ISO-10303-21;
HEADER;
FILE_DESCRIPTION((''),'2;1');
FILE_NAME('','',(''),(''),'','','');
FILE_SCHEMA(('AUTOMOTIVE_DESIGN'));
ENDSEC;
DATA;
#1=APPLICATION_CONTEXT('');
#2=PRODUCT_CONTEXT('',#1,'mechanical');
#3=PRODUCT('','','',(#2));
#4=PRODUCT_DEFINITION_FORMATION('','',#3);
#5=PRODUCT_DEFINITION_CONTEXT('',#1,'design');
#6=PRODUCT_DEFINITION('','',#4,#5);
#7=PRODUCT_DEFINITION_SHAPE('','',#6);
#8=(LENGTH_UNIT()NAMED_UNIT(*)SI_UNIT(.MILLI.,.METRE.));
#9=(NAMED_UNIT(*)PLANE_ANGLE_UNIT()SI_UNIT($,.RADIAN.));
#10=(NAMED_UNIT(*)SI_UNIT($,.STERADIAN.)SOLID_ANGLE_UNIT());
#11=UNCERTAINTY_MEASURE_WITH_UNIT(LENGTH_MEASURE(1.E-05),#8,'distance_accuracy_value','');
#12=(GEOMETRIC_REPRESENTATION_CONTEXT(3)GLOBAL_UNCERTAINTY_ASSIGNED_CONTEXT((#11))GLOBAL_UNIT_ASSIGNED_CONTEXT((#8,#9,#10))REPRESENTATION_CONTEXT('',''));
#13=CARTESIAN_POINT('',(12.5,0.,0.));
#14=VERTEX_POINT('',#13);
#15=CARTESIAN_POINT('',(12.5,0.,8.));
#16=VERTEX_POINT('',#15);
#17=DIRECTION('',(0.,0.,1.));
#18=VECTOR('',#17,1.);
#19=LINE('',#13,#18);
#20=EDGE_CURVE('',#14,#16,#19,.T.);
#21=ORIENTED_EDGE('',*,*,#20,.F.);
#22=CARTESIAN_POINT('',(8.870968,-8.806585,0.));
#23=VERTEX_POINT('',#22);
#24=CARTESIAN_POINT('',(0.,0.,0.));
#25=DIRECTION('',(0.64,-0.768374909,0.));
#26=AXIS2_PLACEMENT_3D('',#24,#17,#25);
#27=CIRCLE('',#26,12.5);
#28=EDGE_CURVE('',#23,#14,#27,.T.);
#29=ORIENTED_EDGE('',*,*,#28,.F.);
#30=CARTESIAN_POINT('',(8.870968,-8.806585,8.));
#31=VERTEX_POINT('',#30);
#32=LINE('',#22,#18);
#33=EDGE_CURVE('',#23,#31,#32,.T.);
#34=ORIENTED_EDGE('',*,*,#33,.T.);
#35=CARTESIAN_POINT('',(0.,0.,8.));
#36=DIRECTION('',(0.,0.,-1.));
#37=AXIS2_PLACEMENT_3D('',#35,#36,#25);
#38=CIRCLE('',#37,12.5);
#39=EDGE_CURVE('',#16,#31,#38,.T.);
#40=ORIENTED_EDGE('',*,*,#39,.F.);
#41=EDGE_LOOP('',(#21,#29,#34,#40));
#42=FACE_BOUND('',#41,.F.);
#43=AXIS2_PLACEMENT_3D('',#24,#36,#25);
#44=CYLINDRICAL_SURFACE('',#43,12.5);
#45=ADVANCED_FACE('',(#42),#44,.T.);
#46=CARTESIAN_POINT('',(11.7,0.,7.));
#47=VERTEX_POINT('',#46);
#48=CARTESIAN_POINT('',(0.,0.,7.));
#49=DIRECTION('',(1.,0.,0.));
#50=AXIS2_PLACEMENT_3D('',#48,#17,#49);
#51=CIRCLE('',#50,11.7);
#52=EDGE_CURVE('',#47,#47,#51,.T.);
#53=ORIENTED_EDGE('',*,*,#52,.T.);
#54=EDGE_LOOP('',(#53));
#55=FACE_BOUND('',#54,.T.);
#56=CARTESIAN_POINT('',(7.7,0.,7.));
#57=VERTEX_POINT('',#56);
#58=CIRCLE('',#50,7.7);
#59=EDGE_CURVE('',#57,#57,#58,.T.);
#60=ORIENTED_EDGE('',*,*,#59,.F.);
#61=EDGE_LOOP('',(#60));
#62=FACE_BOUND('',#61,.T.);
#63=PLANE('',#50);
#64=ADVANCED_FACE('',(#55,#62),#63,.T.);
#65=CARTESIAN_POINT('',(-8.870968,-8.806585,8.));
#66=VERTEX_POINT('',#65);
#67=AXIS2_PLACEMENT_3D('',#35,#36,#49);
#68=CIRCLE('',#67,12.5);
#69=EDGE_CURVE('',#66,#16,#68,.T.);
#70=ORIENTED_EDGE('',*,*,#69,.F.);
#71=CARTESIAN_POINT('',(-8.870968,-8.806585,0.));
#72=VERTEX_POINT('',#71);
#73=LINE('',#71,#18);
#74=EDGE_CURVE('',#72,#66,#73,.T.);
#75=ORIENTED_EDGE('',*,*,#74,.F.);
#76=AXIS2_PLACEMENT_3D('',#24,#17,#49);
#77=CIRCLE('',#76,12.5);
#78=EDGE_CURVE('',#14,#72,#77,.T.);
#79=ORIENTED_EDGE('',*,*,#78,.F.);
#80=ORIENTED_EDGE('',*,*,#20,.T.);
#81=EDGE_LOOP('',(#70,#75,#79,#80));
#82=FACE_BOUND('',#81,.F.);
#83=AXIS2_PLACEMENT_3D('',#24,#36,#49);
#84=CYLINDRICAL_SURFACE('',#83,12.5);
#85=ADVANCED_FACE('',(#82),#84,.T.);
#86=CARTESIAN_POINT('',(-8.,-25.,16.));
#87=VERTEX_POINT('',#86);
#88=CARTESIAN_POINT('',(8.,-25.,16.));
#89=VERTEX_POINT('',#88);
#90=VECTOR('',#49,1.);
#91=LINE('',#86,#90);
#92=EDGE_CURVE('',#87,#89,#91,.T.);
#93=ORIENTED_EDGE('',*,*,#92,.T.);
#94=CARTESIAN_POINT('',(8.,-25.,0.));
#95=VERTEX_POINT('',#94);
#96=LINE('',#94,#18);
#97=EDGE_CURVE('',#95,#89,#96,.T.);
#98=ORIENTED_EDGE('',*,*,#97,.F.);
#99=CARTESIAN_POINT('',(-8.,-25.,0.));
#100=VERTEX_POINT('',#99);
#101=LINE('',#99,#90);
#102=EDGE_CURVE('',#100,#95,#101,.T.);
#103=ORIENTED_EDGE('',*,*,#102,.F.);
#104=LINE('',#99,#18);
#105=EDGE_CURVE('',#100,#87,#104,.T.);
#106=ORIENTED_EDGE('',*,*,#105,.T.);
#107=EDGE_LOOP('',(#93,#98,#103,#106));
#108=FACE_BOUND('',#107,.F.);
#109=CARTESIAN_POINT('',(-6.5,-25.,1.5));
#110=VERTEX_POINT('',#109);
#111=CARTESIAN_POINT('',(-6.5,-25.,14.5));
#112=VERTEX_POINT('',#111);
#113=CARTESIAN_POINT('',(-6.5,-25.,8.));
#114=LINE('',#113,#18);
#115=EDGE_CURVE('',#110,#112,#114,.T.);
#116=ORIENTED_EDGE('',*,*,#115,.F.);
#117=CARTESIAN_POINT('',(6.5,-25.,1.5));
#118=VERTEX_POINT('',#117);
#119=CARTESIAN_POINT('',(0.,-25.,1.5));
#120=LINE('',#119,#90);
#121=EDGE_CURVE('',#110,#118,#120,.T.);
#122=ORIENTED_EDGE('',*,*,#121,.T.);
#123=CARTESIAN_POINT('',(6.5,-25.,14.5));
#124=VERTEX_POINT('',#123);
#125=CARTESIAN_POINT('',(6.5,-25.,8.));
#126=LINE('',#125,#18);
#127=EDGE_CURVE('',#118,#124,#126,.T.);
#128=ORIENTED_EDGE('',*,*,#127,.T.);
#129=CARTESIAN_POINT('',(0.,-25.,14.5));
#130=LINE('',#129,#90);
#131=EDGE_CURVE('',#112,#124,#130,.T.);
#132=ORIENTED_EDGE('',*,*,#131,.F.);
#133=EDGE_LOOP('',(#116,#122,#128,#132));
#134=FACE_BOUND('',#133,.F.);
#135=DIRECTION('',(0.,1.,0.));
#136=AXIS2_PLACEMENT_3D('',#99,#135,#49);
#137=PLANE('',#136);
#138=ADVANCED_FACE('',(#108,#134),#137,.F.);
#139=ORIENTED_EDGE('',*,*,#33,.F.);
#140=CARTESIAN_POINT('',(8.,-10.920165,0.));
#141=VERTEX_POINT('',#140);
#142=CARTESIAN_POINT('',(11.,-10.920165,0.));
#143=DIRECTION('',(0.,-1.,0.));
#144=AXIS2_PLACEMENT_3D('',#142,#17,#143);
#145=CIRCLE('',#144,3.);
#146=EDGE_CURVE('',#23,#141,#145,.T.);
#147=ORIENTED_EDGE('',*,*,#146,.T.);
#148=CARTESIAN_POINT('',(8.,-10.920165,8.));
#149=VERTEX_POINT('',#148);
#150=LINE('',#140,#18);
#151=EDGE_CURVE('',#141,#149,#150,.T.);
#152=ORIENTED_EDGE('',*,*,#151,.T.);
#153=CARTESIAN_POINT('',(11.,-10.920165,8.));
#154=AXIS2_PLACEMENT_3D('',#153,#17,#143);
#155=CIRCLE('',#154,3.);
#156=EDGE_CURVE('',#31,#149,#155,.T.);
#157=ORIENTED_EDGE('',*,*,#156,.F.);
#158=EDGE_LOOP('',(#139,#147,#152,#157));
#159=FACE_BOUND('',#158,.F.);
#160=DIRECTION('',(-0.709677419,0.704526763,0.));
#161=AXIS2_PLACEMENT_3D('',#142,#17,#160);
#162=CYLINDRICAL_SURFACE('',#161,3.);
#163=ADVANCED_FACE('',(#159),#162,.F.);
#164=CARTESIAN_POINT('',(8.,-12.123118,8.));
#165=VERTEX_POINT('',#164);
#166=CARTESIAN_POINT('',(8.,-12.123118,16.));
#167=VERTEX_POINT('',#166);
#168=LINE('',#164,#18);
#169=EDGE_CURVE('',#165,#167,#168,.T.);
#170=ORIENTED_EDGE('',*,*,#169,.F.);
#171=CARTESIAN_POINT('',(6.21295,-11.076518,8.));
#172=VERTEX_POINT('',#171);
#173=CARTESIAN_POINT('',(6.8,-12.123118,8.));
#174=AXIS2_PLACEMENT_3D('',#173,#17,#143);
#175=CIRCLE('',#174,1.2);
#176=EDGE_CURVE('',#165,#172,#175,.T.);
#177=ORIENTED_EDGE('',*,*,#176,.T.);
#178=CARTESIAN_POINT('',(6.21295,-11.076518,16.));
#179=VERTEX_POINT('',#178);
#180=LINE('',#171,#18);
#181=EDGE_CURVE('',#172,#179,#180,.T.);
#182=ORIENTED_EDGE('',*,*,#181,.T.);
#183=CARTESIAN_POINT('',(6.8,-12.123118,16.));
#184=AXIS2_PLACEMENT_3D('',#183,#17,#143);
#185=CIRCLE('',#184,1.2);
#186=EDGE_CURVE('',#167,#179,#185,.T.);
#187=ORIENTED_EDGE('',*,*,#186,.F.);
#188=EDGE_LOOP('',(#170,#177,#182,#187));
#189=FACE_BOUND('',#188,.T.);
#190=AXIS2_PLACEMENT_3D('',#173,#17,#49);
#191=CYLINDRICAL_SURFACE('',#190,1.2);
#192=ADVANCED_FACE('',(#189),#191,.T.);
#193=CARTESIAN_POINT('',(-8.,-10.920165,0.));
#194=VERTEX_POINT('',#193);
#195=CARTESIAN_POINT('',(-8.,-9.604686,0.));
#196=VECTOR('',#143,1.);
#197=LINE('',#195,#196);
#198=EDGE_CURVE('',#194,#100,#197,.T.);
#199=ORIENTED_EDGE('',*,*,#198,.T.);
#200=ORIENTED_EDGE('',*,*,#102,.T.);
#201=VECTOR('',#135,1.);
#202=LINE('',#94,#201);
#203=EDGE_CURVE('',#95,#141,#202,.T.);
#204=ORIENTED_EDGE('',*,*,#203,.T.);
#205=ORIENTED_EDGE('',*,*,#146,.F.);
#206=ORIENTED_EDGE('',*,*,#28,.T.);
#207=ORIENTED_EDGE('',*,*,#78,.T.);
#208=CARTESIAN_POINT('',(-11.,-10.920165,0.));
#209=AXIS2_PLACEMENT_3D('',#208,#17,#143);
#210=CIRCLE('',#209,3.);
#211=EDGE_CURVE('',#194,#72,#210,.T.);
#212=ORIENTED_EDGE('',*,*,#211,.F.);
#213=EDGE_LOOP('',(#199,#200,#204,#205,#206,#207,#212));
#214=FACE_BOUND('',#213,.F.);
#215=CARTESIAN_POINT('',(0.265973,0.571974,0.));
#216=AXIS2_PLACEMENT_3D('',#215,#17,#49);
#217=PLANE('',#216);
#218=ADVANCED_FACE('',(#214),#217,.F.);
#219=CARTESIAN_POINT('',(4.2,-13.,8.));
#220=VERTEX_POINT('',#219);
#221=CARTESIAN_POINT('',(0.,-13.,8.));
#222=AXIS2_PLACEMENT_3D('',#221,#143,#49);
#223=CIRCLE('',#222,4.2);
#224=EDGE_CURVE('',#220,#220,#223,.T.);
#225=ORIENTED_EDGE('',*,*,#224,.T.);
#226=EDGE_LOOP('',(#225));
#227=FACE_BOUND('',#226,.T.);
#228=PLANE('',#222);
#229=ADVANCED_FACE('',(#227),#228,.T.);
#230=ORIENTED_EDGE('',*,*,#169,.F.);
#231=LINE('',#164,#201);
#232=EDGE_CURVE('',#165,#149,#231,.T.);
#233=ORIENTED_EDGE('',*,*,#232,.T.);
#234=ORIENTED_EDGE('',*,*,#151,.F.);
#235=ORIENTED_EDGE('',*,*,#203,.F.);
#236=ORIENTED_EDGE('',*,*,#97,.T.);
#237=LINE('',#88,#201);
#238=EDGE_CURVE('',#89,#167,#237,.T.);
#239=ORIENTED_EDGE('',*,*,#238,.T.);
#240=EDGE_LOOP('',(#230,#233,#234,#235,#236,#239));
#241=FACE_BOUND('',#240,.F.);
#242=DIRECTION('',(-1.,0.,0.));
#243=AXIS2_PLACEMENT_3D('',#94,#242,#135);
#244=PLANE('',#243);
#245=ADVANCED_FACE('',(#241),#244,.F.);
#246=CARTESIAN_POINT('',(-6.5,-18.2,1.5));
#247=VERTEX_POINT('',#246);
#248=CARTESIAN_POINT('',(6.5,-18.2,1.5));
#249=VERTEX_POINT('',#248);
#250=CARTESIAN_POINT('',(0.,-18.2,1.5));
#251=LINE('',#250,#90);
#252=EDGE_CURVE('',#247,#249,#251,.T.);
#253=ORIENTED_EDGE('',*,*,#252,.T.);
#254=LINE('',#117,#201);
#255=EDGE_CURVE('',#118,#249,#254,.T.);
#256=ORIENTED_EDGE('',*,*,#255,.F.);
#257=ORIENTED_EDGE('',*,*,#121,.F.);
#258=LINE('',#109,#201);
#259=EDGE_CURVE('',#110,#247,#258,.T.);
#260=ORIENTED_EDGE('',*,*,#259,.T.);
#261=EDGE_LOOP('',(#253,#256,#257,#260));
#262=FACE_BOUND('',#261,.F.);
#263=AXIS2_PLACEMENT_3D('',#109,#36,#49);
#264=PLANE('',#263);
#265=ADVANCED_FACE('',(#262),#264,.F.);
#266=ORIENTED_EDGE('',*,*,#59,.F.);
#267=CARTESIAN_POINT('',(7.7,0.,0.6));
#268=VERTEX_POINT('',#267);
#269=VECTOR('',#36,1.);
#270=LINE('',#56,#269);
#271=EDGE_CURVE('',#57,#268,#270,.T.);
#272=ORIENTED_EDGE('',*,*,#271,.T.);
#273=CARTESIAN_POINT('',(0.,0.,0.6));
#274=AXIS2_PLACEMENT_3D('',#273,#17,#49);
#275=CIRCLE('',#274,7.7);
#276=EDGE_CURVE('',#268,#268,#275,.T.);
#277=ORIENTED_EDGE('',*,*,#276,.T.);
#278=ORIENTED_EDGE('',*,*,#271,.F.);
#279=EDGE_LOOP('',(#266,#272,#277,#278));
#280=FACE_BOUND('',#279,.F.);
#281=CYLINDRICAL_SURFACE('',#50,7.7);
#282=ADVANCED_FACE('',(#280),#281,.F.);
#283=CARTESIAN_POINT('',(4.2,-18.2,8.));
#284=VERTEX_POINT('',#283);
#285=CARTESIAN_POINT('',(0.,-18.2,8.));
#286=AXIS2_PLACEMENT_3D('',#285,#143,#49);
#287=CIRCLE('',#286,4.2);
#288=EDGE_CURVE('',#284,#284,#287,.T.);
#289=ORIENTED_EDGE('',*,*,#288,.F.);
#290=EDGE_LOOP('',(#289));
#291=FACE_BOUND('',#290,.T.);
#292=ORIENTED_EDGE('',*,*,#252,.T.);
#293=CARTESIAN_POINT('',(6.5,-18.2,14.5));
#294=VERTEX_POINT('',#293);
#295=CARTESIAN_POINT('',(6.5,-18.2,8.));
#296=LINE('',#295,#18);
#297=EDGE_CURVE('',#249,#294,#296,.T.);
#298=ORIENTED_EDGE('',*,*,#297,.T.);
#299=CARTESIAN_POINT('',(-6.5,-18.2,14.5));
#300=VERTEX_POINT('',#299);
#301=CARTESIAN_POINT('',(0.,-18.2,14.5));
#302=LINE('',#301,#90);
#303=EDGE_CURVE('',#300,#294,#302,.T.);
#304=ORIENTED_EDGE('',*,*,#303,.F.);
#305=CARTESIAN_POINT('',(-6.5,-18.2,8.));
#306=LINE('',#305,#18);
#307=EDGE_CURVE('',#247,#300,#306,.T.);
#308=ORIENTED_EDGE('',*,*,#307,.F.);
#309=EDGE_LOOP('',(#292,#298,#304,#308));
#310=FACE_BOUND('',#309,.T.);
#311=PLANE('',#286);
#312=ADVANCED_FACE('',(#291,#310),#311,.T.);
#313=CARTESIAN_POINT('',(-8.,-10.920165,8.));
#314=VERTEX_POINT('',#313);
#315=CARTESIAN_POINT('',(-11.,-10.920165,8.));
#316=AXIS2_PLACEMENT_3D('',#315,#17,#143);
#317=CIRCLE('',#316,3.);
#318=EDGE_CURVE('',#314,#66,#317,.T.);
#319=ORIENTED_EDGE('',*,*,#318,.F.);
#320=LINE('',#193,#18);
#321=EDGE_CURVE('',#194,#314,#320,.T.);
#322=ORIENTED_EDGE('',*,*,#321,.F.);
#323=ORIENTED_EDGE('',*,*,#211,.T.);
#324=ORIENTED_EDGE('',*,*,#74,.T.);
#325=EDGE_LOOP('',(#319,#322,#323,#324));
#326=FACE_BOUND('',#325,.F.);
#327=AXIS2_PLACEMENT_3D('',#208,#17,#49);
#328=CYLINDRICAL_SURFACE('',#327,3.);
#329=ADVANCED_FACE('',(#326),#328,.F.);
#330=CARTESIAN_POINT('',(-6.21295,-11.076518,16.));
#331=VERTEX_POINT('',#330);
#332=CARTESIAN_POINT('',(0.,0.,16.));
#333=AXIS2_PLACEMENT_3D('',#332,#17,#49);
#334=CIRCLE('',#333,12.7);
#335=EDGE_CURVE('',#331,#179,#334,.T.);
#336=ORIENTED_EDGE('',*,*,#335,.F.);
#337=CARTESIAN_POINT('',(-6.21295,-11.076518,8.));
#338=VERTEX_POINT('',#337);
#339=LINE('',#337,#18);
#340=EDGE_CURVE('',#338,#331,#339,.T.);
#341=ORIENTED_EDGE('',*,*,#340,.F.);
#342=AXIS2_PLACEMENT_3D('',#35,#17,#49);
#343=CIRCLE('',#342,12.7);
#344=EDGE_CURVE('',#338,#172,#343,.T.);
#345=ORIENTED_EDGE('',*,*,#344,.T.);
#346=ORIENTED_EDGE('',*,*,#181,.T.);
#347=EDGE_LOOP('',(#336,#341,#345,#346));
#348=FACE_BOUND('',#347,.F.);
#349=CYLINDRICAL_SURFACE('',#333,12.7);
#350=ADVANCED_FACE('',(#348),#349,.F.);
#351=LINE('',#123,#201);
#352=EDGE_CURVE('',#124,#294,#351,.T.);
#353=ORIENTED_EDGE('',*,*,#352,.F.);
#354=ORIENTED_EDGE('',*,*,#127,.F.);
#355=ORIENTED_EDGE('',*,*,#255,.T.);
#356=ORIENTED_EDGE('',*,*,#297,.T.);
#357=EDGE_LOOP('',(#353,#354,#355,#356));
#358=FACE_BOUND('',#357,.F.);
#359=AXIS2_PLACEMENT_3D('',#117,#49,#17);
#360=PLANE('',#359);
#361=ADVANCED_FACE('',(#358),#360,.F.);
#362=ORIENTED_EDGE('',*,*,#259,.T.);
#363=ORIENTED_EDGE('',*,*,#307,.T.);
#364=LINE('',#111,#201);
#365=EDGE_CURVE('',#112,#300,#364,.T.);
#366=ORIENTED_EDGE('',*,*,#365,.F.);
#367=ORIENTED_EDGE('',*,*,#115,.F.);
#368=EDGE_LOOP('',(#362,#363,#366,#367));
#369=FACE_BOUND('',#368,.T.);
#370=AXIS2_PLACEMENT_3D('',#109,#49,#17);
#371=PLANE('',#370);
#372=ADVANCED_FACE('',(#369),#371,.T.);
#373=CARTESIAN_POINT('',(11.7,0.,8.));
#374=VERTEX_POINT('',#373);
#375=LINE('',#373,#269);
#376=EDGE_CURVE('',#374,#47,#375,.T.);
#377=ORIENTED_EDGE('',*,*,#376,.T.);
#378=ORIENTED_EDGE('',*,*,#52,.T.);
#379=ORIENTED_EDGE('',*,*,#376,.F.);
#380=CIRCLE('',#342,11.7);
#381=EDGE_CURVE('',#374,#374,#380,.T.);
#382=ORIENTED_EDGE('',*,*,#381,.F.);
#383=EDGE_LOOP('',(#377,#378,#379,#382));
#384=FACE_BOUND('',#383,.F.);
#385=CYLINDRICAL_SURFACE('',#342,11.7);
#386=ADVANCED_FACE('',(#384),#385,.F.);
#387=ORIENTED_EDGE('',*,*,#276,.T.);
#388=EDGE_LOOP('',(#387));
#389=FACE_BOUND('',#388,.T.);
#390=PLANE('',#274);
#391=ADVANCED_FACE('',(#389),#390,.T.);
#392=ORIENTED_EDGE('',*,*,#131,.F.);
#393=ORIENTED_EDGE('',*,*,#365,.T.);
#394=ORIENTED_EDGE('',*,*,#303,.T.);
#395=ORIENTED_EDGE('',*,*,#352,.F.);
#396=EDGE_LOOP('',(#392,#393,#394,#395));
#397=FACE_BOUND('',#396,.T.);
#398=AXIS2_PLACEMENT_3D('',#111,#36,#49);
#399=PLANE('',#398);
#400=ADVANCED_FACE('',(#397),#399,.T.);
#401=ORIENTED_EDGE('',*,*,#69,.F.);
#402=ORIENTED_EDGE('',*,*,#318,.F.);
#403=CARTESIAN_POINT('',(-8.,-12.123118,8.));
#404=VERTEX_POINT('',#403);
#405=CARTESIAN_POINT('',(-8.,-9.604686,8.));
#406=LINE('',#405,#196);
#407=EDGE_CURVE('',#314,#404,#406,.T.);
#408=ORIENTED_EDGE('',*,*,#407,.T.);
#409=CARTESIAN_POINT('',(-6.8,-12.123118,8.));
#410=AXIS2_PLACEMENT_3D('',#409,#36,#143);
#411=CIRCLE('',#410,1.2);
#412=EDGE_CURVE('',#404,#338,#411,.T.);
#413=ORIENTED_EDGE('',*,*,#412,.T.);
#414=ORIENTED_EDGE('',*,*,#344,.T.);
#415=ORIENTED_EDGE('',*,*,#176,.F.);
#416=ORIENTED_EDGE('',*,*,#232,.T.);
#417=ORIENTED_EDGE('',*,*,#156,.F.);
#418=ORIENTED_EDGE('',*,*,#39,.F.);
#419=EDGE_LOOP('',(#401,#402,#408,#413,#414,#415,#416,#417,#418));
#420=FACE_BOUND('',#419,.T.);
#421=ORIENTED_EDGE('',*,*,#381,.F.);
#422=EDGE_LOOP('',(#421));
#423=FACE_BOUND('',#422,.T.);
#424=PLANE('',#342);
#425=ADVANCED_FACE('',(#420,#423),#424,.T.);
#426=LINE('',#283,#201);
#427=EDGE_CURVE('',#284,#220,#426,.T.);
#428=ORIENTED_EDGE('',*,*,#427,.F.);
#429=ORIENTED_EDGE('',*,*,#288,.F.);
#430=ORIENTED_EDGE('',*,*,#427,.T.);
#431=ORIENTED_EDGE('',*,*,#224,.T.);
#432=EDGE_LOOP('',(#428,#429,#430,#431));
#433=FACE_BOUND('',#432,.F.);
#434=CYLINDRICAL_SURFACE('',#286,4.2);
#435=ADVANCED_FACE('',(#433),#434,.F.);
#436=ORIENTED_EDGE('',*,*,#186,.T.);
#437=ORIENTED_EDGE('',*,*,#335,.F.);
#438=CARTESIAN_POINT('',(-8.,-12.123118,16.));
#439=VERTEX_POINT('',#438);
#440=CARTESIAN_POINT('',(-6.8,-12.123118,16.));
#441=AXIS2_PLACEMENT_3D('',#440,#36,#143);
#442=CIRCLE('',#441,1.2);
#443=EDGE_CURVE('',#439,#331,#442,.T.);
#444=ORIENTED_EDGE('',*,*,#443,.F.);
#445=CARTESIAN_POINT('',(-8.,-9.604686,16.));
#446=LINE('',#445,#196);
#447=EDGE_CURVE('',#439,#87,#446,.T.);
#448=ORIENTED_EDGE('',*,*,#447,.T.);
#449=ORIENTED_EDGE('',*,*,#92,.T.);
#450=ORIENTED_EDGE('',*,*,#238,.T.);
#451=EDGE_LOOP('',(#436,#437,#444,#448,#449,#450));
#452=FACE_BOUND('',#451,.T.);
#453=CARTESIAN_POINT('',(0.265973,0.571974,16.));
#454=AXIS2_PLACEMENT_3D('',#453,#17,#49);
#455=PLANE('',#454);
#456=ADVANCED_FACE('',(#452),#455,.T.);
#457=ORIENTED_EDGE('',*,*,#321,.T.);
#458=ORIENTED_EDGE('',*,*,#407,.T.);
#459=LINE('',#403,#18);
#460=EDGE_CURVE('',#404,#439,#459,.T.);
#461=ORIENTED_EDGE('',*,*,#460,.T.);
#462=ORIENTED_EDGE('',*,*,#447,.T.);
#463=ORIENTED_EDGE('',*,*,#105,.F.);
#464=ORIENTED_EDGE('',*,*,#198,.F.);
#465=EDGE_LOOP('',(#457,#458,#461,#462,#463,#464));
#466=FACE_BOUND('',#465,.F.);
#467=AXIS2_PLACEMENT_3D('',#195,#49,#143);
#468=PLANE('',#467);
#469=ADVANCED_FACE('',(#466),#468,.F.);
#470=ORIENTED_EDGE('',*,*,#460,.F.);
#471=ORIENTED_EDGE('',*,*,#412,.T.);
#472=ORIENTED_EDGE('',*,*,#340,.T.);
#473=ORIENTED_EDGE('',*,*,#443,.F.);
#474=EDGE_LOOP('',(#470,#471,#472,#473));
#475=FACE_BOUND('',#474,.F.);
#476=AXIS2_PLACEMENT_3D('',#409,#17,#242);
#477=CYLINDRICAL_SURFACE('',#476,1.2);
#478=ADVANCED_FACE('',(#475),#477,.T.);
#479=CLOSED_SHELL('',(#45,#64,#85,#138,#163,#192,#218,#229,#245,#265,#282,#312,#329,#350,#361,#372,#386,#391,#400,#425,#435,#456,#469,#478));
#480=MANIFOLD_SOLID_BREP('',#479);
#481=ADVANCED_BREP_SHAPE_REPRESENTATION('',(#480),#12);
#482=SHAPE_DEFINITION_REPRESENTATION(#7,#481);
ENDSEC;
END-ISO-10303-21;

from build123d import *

# Parameters (mm, degrees)
F1_DEPTH  = 16
F2_R      = 12.7
F3_DEPTH  = 8
F4_R      = 1.2
F5_R      = 3
F6_R      = 11.7
F7_DEPTH  = 1
F8_R      = 7.7
F9_DEPTH  = 6.4
F10_W     = 13
F10_H     = 13
F11_DEPTH = 6.8
F12_R     = 4.2
F13_DEPTH = 5.2


with BuildPart() as f1:
    # F0 (on Top) → F1 (new body)
    with BuildSketch(Plane.XY):
        with BuildLine():
            ThreePointArc((8, -9.6046863561), (11.3192314227, -5.3033008589), (12.5, 0))
            ThreePointArc((12.5, 0), (-5.3033008589, 11.3192314227), (-8, -9.6046863561))
            Line((-8, -9.6046863561), (-8, 0))
            Line((-8, 0), (8, 0))
            Line((8, 0), (8, -9.6046863561))
        make_face()
        with BuildLine():
            Line((-8, 0), (-8, -9.6046863561))
            ThreePointArc((-8, -9.6046863561), (0, -12.5), (8, -9.6046863561))
            Line((8, -9.6046863561), (8, 0))
            Line((8, 0), (-8, 0))
        make_face()
        with BuildLine():
            ThreePointArc((8, -9.6046863561), (0, -12.5), (-8, -9.6046863561))
            Line((-8, -9.6046863561), (-8, -25))
            Line((-8, -25), (8, -25))
            Line((8, -25), (8, -9.6046863561))
        make_face()
    extrude(amount=F1_DEPTH)

    # F2 (on face) → F3 (cut)
    with BuildSketch(Plane.XY.offset(16)):
        Circle(F2_R)
    extrude(amount=-F3_DEPTH, mode=Mode.SUBTRACT)

    # F4
    f4_edges = [f1.edges().sort_by_distance(p)[0] for p in [
        (-8, -9.863569, 12),
        (8, -9.863569, 12),
    ]]
    fillet(f4_edges, radius=F4_R)

    # F5
    f5_edges = [f1.edges().sort_by_distance(p)[0] for p in [
        (8, -9.604686, 4),
        (-8, -9.604686, 4),
    ]]
    fillet(f5_edges, radius=F5_R)

    # F6 (on face) → F7 (cut)
    with BuildSketch(Plane.XY.offset(8)):
        Circle(F6_R)
    extrude(amount=-F7_DEPTH, mode=Mode.SUBTRACT)

    # F8 (on face) → F9 (cut)
    with BuildSketch(Plane.XY.offset(7)):
        Circle(F8_R)
    extrude(amount=-F9_DEPTH, mode=Mode.SUBTRACT)

    # F10 (on face) → F11 (cut)
    with BuildSketch(Plane.XZ.offset(25)):
        with Locations((0, 8)):
            Rectangle(F10_W, F10_H)
    extrude(amount=-F11_DEPTH, mode=Mode.SUBTRACT)

    # F12 (on face) → F13 (cut)
    with BuildSketch(Plane.XZ.offset(18.2)):
        with Locations((0, 8)):
            Circle(F12_R)
    extrude(amount=-F13_DEPTH, mode=Mode.SUBTRACT)


solid = f1.part
